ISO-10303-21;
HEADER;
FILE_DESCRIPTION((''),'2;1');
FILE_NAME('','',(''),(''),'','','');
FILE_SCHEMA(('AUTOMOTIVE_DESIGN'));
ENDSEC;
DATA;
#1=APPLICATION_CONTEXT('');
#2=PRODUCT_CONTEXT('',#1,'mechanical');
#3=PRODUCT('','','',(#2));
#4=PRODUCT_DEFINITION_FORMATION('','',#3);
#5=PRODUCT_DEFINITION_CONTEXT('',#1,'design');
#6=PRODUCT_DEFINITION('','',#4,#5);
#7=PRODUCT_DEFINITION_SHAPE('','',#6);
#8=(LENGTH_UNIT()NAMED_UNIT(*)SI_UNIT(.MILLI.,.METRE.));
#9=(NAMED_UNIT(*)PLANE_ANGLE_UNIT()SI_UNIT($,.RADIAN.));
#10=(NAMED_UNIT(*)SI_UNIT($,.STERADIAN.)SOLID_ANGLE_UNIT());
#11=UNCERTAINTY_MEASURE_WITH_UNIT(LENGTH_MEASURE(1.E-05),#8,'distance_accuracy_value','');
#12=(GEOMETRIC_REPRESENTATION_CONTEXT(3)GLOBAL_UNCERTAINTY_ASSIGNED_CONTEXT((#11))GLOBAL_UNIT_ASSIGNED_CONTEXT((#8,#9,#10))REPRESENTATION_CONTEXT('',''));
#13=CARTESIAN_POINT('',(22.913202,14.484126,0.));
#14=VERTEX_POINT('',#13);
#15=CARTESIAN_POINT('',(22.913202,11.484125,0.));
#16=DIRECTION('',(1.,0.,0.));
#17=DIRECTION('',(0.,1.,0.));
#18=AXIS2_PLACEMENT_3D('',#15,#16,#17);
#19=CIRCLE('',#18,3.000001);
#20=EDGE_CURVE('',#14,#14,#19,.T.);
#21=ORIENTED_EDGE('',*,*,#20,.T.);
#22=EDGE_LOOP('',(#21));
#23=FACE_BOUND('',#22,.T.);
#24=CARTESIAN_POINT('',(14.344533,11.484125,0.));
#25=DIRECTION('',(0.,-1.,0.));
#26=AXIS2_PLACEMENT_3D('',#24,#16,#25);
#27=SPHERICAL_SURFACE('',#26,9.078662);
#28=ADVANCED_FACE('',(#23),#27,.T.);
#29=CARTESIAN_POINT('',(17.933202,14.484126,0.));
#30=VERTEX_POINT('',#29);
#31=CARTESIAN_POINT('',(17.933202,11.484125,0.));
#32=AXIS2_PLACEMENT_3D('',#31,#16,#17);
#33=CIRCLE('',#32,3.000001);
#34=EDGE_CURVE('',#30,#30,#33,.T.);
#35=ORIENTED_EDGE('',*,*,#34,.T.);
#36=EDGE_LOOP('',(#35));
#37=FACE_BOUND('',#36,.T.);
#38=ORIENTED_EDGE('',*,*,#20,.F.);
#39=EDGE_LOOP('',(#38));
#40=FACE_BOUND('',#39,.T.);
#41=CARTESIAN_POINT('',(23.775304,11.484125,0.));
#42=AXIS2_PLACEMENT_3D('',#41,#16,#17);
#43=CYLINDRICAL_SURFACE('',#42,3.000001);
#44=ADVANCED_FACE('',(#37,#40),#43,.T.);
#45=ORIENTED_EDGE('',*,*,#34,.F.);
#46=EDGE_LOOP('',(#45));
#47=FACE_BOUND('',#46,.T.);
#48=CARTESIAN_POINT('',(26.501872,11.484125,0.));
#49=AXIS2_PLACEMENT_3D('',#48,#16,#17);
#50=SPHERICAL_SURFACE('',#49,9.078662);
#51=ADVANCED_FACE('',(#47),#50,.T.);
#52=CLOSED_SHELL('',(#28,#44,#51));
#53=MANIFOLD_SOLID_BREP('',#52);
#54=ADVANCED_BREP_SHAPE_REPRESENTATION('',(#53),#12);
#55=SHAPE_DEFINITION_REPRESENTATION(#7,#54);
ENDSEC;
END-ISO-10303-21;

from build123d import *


with BuildPart() as part:
    # 草图2 one side → 旋转1 (revolve)
    with BuildSketch(Plane.XY, mode=Mode.PRIVATE) as revolve_1_sk:
        with BuildLine():
            Line((23.423194871, 11.48412514), (17.423209949, 11.48412514))
            ThreePointArc((17.423209949, 11.48412514), (17.551616136, 9.962604642), (17.93320241, 8.484124107))
            Line((17.93320241, 8.484124107), (22.91320241, 8.484124107))
            ThreePointArc((22.91320241, 8.484124107), (23.294788685, 9.962604642), (23.423194871, 11.48412514))
        make_face()
    revolve(revolve_1_sk.sketch.rotate(Axis((23.77530363, 11.48412514, 0), (-1, 0, 0)), 180), axis=Axis((23.77530363, 11.48412514, 0), (-1, 0, 0)))  # turned: the seam where the file's is


solid = part.part
